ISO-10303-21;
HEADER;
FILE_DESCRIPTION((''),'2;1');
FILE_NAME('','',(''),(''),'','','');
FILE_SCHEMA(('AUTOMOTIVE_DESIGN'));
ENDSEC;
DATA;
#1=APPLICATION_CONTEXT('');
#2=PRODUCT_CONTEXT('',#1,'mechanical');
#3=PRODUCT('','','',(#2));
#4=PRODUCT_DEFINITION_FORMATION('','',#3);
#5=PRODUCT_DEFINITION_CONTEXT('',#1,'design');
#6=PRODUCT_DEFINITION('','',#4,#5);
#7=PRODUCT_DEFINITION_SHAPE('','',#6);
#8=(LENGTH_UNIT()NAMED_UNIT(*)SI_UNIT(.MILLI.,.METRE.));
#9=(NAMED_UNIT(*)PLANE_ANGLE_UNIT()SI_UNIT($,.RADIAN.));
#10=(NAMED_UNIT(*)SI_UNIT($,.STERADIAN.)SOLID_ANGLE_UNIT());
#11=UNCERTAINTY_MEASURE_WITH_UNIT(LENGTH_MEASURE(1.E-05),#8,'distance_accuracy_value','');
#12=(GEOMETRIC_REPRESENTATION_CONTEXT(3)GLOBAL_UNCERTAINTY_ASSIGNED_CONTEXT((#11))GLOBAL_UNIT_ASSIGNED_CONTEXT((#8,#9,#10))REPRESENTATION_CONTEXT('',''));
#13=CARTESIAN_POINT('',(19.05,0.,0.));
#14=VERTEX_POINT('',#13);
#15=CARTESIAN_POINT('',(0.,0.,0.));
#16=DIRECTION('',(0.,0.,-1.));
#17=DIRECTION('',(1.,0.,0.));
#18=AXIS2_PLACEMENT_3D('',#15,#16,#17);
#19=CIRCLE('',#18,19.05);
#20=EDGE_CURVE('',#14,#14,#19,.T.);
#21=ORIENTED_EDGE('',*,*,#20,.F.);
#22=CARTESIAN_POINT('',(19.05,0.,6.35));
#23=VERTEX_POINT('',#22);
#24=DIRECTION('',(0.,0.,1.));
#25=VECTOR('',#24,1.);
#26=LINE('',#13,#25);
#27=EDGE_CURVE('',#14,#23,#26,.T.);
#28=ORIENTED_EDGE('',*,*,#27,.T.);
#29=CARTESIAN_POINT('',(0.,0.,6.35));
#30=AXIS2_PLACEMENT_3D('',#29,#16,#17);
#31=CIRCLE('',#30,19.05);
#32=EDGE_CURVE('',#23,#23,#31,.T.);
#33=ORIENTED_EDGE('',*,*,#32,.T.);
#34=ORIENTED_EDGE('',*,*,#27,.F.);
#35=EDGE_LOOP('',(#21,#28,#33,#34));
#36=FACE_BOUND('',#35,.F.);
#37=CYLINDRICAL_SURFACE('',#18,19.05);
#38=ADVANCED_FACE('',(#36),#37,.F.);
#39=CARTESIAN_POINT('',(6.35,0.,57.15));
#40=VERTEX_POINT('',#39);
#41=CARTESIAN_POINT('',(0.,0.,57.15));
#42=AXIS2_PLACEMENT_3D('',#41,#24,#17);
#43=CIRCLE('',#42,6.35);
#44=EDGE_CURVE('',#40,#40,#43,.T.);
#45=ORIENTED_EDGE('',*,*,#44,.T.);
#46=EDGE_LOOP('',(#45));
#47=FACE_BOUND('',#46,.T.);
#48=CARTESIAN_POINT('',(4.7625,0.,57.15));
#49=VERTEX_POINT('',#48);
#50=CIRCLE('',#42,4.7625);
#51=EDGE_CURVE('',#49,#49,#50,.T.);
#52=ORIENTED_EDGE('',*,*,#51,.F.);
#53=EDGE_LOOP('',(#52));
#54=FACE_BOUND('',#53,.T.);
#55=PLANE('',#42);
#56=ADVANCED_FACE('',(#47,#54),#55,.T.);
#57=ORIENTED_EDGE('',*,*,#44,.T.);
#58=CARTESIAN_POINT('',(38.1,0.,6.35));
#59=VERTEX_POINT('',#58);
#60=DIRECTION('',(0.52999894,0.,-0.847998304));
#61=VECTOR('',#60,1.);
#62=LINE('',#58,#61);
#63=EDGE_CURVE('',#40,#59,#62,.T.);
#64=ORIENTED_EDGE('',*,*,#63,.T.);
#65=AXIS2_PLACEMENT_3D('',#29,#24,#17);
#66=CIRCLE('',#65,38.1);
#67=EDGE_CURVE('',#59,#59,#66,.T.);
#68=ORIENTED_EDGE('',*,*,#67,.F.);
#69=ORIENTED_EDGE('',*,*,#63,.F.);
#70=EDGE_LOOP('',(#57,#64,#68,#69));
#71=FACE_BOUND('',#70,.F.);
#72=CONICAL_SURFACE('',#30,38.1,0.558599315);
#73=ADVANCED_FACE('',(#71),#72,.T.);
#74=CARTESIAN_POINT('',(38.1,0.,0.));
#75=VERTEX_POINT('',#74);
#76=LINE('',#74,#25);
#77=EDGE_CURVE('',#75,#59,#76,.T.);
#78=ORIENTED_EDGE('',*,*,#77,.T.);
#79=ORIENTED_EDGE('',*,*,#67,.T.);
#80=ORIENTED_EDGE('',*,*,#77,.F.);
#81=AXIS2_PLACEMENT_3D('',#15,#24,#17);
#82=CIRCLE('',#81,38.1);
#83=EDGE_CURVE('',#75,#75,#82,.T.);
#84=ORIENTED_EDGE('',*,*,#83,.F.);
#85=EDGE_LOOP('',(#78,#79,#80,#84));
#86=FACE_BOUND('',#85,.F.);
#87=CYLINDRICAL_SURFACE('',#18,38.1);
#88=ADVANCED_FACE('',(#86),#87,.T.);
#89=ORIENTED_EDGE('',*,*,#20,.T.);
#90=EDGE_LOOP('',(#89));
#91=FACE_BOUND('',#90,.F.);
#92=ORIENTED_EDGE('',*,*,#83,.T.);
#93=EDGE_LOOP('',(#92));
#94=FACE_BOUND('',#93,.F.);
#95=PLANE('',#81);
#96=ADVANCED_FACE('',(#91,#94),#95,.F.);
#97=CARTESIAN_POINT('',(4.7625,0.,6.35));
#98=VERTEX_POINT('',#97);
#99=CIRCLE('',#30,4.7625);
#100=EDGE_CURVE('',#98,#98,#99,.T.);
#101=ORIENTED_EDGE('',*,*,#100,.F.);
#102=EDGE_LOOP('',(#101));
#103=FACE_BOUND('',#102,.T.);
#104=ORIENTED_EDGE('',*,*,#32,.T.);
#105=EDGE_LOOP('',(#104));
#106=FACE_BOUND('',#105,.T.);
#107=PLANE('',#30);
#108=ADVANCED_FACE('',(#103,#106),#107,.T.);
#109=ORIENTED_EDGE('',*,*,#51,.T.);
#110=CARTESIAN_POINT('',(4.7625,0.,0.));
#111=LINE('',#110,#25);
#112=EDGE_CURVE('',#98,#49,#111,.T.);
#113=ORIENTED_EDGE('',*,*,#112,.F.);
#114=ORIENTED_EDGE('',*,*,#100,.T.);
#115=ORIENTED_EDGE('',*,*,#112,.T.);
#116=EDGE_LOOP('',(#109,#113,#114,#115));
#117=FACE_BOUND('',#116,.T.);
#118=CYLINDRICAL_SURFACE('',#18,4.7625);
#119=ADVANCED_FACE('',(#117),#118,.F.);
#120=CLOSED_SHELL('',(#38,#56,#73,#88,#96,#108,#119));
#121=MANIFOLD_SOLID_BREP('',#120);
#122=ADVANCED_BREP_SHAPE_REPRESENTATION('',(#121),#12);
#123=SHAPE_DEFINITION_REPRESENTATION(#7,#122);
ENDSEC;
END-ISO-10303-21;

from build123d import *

# Parameters (mm, degrees)
F0_R     = 38.1
F0_R_2   = 4.7625
F1_DEPTH = 57.15
F2_SIZE2 = 50.8
F2_SIZE  = 31.75
F4_R     = 19.05
F5_DEPTH = 6.35


with BuildPart() as f1:
    # F0 (on Top) → F1 (new body)
    with BuildSketch(Plane.XY):
        Circle(F0_R)
        Circle(F0_R_2, mode=Mode.SUBTRACT)
    extrude(amount=F1_DEPTH)

    # F2
    f2_edges = [f1.edges().sort_by_distance(p)[0] for p in [
        (-38.1, 0, 57.15),
    ]]
    f2_side = f1.faces().sort_by_distance((-37.022369, 0, 57.15))[0]
    chamfer(f2_edges, length=F2_SIZE, length2=F2_SIZE2, reference=f2_side)

    # F4 (on face) → F5 (cut)
    with BuildSketch(Plane(origin=(0, 0, 0), x_dir=(1, 0, 0), z_dir=(0, 0, -1))):
        Circle(F4_R)
    extrude(amount=-F5_DEPTH, mode=Mode.SUBTRACT)


solid = f1.part
